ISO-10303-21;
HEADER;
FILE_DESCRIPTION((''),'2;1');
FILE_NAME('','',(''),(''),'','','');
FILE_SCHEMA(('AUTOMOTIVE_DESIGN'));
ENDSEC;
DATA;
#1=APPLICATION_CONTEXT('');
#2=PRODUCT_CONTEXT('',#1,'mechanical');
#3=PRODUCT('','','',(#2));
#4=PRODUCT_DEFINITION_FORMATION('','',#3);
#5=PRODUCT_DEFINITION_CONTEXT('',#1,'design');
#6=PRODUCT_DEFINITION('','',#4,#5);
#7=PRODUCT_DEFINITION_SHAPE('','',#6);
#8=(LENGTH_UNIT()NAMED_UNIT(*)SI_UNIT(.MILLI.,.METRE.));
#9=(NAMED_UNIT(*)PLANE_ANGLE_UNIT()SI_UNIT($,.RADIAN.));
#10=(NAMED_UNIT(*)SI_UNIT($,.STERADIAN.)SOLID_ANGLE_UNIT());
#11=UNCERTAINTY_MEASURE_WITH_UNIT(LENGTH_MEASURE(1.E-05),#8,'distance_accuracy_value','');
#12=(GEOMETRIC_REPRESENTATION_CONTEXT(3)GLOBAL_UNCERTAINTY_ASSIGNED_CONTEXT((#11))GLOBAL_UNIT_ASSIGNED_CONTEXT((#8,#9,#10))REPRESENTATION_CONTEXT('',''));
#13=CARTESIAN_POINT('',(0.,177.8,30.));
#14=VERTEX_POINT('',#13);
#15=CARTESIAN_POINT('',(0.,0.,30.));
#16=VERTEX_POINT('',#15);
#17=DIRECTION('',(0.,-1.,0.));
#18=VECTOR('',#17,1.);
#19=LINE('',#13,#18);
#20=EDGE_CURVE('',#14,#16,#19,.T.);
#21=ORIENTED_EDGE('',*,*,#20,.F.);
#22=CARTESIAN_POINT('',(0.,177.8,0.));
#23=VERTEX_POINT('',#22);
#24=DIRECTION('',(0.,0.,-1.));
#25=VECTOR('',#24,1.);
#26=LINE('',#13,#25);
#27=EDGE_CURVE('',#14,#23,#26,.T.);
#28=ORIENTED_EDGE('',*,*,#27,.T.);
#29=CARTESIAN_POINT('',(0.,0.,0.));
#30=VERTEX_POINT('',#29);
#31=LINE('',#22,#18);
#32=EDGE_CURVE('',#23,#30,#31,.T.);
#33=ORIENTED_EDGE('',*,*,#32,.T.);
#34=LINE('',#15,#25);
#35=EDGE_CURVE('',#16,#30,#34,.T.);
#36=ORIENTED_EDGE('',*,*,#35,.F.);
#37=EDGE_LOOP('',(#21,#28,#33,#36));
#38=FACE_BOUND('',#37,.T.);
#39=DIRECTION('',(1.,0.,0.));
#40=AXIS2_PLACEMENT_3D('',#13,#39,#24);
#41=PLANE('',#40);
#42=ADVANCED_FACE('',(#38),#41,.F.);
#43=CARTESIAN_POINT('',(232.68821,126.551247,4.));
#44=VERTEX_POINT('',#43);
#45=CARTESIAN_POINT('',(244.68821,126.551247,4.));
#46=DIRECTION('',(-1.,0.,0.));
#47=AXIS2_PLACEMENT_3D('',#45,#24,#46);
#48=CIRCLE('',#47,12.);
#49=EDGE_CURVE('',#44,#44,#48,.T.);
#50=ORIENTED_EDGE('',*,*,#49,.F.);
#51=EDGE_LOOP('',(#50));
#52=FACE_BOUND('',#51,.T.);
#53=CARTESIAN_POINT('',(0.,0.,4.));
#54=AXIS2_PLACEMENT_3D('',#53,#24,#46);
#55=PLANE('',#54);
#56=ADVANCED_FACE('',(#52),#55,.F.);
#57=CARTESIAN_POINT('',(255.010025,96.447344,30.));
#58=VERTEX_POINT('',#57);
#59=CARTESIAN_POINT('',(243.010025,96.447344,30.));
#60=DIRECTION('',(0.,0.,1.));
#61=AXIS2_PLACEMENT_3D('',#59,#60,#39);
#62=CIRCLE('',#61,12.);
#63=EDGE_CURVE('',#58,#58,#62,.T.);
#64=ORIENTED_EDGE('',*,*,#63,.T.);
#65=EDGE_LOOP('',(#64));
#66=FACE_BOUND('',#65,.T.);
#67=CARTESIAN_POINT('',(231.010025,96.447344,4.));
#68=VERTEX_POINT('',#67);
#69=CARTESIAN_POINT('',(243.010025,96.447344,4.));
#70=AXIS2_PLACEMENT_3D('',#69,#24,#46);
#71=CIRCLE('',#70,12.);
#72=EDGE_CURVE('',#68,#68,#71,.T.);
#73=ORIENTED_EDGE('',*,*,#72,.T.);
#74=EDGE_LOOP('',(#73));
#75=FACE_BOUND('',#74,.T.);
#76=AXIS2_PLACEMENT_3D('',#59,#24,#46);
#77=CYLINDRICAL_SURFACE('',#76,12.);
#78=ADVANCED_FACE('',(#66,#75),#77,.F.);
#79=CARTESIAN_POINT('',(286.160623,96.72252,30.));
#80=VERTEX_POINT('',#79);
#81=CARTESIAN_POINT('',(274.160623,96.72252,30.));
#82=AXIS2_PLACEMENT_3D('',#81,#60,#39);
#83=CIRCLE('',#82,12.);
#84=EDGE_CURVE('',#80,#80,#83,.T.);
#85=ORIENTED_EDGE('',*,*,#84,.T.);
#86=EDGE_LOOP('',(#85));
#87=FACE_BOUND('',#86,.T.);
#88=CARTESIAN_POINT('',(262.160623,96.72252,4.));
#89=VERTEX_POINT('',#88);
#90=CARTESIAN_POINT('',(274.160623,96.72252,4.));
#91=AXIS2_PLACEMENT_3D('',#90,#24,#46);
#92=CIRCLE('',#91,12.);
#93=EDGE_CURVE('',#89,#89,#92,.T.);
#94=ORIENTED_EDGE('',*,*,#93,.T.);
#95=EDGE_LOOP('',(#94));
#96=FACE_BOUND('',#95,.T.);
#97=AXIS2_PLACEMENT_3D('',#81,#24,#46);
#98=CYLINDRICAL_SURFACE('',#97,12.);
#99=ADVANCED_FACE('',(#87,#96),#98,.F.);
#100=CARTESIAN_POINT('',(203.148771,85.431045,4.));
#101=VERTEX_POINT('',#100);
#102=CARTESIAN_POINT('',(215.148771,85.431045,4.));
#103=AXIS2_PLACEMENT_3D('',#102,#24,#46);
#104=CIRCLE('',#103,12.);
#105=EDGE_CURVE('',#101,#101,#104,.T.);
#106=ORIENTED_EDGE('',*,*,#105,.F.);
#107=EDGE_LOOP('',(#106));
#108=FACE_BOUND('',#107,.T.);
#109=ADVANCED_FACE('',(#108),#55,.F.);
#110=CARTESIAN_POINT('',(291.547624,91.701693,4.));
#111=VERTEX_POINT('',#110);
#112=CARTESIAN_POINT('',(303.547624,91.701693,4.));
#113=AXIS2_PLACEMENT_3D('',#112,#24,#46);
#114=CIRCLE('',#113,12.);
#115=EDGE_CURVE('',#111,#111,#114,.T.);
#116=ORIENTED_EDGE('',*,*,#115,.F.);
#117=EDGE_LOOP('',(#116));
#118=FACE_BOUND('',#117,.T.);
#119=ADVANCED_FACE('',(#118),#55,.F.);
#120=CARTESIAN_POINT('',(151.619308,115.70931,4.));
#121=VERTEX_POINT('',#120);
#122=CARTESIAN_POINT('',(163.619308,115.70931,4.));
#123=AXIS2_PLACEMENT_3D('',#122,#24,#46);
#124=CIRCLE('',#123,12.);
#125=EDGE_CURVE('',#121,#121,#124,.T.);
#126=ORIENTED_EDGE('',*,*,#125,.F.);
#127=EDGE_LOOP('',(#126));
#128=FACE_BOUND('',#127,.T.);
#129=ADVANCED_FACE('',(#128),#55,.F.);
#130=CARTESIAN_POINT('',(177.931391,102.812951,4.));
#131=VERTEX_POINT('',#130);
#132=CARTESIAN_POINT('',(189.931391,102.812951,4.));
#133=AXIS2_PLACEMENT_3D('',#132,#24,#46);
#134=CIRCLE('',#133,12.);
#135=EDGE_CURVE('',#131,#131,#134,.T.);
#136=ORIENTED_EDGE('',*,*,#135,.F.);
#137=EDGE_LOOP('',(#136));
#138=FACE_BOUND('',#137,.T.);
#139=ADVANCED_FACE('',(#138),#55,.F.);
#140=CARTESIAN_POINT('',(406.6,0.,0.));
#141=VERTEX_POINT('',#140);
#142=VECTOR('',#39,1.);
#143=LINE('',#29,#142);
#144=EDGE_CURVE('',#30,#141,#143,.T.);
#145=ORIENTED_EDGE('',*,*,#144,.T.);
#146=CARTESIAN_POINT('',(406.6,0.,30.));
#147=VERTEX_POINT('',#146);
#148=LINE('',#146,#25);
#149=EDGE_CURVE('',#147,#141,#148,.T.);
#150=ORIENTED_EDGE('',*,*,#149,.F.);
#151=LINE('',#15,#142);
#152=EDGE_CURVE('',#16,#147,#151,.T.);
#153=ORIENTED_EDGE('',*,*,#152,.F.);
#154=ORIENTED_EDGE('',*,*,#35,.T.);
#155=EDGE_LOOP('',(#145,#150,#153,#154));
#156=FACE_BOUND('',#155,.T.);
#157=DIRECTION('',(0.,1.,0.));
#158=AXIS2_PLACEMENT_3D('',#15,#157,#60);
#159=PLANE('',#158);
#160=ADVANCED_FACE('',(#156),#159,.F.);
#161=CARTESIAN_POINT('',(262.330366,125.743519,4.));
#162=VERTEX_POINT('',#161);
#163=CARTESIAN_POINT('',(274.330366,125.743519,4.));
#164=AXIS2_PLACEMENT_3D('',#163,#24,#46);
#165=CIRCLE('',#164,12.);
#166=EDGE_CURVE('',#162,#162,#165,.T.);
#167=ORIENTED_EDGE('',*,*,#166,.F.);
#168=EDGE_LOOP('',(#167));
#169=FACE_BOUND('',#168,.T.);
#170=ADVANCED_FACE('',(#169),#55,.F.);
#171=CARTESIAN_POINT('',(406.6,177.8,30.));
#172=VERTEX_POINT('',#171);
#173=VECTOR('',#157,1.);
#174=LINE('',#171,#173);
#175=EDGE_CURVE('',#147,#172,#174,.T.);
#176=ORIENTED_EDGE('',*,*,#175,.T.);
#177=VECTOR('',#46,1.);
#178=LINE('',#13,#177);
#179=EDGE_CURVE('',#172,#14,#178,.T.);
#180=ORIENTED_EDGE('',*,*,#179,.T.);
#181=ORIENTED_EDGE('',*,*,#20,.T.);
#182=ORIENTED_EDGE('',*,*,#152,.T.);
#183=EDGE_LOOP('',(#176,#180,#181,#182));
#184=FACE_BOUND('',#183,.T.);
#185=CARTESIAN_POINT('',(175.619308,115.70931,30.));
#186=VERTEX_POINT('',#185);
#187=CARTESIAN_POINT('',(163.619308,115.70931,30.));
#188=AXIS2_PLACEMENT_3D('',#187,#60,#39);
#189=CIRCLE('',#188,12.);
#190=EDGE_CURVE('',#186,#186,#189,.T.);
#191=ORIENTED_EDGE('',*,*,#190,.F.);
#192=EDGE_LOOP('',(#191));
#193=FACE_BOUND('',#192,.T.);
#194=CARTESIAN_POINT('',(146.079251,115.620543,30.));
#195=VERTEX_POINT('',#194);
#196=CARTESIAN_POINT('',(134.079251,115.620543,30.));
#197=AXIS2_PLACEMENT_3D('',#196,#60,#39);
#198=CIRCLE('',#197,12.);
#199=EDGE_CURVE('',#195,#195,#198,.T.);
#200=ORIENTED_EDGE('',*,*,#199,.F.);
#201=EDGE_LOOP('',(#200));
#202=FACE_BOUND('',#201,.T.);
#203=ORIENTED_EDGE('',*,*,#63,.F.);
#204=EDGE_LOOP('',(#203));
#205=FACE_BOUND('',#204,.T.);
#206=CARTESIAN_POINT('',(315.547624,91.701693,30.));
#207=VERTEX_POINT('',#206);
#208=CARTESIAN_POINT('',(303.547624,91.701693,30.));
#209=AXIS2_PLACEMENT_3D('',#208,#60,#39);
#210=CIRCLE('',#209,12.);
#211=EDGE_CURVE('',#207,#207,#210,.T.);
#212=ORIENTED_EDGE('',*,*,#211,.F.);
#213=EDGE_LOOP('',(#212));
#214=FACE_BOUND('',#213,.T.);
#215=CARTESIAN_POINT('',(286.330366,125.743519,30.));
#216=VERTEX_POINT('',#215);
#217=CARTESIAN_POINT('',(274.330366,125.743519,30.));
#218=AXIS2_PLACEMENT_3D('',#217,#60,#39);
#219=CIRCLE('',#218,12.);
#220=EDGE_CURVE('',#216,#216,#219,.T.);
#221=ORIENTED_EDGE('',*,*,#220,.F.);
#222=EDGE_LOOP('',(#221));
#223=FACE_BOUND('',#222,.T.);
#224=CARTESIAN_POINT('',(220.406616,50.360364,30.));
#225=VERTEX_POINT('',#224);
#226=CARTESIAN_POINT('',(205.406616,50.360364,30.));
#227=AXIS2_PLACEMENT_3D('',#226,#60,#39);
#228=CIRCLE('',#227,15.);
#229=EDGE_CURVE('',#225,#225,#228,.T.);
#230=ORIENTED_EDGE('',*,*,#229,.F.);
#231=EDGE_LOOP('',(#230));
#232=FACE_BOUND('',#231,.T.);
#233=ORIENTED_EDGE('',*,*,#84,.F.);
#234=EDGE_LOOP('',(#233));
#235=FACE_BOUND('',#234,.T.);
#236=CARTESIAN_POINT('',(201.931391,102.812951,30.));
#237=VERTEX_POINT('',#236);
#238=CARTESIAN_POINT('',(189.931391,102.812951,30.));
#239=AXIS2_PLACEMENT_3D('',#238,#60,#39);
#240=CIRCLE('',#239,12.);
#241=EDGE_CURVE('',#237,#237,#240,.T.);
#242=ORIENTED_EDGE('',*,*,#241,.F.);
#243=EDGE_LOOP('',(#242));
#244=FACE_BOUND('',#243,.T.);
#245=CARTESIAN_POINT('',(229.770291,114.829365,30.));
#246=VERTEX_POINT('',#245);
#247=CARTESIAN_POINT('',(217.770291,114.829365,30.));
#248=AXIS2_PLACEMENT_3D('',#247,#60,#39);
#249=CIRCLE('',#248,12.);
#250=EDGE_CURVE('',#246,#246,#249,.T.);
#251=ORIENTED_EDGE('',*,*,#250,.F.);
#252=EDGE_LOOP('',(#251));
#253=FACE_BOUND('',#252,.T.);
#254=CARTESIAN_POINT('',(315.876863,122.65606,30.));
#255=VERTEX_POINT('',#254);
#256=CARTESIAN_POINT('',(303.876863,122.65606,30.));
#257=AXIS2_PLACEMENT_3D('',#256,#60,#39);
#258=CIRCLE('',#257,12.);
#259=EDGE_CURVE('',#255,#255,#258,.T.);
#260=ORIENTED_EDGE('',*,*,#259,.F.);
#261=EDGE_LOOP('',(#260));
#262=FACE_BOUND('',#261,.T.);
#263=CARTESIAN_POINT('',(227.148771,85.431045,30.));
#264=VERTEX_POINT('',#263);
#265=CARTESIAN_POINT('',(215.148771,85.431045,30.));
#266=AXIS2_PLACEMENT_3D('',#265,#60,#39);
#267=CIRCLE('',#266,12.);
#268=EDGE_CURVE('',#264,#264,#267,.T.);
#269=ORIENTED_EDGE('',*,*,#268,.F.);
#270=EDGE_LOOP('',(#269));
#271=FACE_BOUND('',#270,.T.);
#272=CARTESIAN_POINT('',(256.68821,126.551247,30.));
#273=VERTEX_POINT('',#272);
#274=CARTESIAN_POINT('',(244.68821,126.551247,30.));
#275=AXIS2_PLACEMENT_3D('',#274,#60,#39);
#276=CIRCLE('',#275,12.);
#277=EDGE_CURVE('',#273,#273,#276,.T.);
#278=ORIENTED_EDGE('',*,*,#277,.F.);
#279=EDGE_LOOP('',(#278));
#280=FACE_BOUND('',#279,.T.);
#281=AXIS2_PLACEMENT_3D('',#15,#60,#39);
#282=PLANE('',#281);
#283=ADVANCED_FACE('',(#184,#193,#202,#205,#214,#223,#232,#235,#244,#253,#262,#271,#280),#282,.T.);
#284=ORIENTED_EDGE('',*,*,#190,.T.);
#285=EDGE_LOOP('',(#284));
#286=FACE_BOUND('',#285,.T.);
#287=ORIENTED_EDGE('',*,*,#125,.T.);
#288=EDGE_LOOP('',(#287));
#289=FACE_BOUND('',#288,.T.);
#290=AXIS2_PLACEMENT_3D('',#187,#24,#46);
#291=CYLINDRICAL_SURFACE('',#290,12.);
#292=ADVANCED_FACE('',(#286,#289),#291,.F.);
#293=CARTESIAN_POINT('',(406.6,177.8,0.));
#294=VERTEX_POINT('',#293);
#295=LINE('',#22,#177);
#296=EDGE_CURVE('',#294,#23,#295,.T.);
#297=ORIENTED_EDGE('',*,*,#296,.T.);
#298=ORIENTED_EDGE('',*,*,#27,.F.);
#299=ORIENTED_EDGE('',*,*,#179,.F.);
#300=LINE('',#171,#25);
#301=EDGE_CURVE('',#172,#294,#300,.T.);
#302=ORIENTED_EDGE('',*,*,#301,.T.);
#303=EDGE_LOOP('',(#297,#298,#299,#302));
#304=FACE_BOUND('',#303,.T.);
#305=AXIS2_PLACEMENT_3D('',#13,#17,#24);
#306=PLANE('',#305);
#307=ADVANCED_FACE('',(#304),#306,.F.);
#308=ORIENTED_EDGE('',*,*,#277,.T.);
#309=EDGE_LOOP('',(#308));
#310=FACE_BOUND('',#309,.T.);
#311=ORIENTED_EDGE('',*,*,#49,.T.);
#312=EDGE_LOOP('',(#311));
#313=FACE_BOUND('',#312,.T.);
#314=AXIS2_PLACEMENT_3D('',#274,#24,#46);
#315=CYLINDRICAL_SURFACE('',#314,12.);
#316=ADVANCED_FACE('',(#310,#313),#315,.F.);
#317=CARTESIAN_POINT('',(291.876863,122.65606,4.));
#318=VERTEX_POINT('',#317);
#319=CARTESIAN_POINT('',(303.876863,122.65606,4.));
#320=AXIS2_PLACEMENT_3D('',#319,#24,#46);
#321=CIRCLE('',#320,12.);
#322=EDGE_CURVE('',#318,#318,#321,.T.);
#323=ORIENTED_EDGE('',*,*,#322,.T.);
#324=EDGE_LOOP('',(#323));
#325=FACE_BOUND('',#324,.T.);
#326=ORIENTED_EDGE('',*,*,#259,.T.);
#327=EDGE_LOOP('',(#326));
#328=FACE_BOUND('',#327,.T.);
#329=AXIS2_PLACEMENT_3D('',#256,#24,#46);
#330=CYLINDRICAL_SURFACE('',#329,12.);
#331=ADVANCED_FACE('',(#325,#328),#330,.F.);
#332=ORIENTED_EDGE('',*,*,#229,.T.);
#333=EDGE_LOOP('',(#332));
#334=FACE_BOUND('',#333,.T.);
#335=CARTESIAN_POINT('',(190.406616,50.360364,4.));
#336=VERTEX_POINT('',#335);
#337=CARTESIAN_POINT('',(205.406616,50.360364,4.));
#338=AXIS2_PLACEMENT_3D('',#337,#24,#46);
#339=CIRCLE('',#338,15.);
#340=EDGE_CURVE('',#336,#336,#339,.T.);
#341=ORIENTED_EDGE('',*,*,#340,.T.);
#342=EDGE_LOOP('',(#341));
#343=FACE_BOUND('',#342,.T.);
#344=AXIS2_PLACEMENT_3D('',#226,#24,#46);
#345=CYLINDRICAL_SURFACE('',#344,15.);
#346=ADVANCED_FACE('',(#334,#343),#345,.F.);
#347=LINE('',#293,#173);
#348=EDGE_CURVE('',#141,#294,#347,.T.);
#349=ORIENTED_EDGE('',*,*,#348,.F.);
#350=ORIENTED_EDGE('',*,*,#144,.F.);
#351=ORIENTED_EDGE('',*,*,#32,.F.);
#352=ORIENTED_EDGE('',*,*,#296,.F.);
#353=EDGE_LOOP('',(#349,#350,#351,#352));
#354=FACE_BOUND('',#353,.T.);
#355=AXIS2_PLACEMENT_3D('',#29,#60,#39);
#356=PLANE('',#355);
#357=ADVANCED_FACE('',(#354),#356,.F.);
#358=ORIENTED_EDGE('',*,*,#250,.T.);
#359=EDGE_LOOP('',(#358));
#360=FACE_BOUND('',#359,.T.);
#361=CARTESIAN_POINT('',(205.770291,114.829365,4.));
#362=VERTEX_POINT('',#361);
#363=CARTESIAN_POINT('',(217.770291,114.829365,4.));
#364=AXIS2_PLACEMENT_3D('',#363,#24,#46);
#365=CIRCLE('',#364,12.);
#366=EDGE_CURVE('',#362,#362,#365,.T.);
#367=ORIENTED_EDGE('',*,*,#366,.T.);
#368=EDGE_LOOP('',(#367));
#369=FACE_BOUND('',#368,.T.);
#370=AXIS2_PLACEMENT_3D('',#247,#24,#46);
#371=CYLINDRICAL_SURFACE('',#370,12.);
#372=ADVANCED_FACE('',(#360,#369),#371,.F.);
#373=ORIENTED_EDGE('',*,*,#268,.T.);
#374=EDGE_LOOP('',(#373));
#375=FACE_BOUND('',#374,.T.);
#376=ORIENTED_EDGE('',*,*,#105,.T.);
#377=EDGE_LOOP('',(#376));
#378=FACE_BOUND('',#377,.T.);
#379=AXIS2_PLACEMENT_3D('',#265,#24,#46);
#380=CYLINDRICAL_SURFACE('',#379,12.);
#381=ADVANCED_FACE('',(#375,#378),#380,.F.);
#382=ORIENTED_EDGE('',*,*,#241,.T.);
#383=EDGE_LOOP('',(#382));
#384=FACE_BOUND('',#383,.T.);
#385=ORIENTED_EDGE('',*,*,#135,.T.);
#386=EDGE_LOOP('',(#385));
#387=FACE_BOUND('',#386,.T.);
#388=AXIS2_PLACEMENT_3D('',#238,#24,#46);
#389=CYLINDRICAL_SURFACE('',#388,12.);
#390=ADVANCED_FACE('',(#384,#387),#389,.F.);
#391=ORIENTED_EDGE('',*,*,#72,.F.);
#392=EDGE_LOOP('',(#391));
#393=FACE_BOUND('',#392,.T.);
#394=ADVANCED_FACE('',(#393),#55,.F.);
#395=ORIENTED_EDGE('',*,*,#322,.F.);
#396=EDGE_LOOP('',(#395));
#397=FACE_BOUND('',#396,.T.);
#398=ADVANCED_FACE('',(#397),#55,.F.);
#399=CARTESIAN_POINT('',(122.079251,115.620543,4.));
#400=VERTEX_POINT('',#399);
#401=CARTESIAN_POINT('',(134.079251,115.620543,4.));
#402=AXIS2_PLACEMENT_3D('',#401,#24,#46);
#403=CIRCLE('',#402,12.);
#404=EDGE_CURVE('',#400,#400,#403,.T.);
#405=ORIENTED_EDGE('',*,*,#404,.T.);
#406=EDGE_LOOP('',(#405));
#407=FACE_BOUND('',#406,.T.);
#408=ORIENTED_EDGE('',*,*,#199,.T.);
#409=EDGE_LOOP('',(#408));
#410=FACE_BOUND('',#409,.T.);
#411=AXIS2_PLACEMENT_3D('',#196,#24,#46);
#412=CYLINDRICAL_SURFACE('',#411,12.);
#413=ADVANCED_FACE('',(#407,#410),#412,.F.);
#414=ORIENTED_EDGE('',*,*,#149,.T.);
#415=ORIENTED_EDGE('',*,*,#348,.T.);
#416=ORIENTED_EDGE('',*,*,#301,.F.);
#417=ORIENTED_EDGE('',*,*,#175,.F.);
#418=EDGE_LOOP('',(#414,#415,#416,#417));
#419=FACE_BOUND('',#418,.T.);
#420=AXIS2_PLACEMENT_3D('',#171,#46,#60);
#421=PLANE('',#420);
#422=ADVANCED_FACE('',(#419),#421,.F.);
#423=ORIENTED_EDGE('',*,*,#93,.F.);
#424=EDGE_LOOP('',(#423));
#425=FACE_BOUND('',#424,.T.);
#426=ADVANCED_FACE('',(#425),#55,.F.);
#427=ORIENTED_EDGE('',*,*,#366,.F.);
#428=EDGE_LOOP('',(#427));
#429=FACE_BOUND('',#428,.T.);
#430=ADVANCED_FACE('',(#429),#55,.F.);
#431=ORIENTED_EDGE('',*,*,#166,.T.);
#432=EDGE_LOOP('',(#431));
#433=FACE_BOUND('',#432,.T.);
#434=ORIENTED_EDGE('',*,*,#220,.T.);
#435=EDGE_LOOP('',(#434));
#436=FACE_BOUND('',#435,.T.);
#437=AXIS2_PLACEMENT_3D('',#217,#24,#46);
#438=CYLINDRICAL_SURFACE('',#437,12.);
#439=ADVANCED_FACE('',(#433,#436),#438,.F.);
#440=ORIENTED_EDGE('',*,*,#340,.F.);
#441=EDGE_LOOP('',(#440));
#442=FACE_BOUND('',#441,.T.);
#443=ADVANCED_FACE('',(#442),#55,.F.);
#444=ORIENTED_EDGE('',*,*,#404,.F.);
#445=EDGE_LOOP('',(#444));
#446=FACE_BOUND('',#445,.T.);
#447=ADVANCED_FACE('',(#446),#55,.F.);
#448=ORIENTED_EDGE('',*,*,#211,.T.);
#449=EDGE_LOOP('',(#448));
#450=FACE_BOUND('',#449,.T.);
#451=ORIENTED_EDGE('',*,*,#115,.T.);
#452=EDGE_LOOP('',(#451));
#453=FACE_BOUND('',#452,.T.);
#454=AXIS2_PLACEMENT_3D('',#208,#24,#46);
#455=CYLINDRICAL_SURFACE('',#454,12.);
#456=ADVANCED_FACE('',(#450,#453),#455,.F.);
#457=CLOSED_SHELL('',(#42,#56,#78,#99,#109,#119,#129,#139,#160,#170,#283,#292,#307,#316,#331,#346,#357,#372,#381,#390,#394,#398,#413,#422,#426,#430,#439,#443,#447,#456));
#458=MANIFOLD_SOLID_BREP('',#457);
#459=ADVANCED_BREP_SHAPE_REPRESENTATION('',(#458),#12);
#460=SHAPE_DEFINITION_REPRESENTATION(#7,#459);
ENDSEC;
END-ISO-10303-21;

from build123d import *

# Parameters (mm, degrees)
ESQUISSE2_W        = 406.6
ESQUISSE2_H        = 177.8
ESQUISSE2_R        = 12
ESQUISSE2_R_2      = 15
BOSS_EXTRU_3_DEPTH = 30
ESQUISSE4_W        = 406.6
ESQUISSE4_H        = 177.8
BOSS_EXTRU_4_DEPTH = 4


with BuildPart() as part:
    # Esquisse2 → Boss.-Extru.3 (new body)
    with BuildSketch(Plane.XY):
        with Locations((203.3, 88.9)):
            Rectangle(ESQUISSE2_W, ESQUISSE2_H)
        with Locations((134.07925081, 115.620543461)):
            Circle(ESQUISSE2_R, mode=Mode.SUBTRACT)
        with Locations((163.619308258, 115.709309955)):
            Circle(ESQUISSE2_R, mode=Mode.SUBTRACT)
        with Locations((189.931391461, 102.812951429)):
            Circle(ESQUISSE2_R, mode=Mode.SUBTRACT)
        with Locations((215.148770887, 85.431045161)):
            Circle(ESQUISSE2_R, mode=Mode.SUBTRACT)
        with Locations((205.406615555, 50.360364433)):
            Circle(ESQUISSE2_R_2, mode=Mode.SUBTRACT)
        with Locations((217.770290506, 114.829364891)):
            Circle(ESQUISSE2_R, mode=Mode.SUBTRACT)
        with Locations((244.688210229, 126.551247272)):
            Circle(ESQUISSE2_R, mode=Mode.SUBTRACT)
        with Locations((274.33036562, 125.743518948)):
            Circle(ESQUISSE2_R, mode=Mode.SUBTRACT)
        with Locations((303.876863168, 122.656060434)):
            Circle(ESQUISSE2_R, mode=Mode.SUBTRACT)
        with Locations((303.54762398, 91.701693193)):
            Circle(ESQUISSE2_R, mode=Mode.SUBTRACT)
        with Locations((274.160623302, 96.722519891)):
            Circle(ESQUISSE2_R, mode=Mode.SUBTRACT)
        with Locations((243.010025324, 96.447343803)):
            Circle(ESQUISSE2_R, mode=Mode.SUBTRACT)
    extrude(amount=BOSS_EXTRU_3_DEPTH)

    # Esquisse4 → Boss.-Extru.4 (add)
    with BuildSketch(Plane(origin=(0, 0, 0), x_dir=(-1, 0, 0), z_dir=(0, 0, -1))):
        with Locations((-203.3, 88.9)):
            Rectangle(ESQUISSE4_W, ESQUISSE4_H)
    extrude(amount=-BOSS_EXTRU_4_DEPTH)


solid = part.part
